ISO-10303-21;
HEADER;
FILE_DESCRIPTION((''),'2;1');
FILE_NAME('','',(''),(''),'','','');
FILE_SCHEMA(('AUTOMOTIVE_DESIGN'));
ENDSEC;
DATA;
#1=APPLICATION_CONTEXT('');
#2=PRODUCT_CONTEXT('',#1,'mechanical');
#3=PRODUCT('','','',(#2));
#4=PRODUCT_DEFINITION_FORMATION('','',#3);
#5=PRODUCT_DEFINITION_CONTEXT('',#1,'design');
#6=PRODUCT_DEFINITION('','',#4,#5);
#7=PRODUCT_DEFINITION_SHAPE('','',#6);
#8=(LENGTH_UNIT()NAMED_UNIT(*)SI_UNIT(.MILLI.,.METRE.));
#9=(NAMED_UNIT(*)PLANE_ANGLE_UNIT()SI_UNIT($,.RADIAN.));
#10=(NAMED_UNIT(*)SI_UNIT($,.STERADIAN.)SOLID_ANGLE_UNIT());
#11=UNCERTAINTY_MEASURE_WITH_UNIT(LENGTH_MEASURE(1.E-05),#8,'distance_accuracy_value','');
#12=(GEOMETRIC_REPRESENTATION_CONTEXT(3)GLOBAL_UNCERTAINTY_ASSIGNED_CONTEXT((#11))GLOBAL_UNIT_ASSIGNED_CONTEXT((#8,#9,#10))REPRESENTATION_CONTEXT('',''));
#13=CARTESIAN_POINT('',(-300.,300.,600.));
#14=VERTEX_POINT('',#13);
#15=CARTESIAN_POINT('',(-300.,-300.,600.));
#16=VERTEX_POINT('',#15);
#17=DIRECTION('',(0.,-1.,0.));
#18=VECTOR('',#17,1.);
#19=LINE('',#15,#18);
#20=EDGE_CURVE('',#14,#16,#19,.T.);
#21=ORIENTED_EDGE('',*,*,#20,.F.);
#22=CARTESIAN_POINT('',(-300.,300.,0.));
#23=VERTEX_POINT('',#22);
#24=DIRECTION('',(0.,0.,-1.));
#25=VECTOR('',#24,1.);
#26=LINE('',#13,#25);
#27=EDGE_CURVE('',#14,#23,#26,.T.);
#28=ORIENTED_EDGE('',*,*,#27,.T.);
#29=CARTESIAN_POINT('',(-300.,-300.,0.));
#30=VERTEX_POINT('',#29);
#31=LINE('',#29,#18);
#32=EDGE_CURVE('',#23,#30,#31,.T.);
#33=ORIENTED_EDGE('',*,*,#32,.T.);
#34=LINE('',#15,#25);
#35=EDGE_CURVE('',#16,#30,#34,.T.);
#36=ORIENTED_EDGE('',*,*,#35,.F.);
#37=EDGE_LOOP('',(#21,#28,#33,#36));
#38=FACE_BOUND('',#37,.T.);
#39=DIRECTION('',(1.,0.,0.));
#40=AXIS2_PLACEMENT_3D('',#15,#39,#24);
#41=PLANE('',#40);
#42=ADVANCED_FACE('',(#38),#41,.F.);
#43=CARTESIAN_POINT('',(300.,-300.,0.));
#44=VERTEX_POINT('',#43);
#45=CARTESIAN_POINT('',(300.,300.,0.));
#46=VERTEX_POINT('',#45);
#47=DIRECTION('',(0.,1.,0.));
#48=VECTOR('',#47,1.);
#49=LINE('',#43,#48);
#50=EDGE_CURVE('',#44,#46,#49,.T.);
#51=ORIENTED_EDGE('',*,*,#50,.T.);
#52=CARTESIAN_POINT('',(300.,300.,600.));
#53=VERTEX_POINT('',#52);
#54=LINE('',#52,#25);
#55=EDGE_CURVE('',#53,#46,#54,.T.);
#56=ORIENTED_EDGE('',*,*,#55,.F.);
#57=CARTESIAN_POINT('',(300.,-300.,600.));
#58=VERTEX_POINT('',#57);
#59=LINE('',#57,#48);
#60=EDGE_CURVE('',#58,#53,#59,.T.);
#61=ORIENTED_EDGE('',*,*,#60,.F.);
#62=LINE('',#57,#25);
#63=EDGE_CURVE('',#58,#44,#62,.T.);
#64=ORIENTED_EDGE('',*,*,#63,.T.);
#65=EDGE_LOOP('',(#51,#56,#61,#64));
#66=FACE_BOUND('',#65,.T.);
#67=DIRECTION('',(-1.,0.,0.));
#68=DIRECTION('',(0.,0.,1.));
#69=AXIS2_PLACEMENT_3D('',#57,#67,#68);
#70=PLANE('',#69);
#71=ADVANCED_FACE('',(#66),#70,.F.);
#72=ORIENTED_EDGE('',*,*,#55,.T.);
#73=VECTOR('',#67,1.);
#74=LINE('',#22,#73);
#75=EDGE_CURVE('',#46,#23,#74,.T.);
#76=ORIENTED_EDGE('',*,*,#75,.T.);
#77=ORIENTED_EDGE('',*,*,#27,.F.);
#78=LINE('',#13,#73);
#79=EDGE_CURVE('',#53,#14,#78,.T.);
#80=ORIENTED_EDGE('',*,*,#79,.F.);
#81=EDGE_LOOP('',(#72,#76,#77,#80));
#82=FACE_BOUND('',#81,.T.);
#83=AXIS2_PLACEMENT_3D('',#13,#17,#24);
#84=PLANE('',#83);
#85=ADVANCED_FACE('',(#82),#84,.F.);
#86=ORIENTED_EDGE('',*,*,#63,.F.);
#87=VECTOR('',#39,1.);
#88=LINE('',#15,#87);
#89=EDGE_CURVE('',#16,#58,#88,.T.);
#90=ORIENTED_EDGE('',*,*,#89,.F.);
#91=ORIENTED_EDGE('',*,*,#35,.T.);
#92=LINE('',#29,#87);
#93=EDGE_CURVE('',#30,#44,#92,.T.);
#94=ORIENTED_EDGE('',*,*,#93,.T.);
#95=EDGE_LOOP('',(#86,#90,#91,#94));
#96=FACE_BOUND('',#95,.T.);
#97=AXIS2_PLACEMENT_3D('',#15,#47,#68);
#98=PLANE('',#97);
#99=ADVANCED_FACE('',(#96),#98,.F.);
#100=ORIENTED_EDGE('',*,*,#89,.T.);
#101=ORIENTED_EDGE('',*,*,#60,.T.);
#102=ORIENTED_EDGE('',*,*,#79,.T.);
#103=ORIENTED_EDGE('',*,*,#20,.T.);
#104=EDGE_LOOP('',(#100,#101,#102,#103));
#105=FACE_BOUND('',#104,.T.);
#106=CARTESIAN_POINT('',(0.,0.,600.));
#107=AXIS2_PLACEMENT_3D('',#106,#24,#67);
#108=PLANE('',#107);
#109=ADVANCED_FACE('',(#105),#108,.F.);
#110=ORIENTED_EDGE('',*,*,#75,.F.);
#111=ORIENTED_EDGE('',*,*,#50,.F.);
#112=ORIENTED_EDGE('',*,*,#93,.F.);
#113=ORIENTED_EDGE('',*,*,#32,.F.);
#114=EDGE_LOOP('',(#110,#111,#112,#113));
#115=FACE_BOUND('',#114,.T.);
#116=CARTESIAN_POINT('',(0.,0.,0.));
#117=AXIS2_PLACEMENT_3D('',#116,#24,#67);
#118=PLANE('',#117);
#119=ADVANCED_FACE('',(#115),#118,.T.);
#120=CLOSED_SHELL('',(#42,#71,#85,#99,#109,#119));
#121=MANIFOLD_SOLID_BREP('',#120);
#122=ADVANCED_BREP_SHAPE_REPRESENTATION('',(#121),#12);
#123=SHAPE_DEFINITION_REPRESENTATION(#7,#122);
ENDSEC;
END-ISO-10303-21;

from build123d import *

# Parameters (mm, degrees)
SKETCH_1_W      = 600
SKETCH_1_H      = 600
EXTRUDE_1_DEPTH = 600


with BuildPart() as part:
    # 草图1 → 凸台-拉伸1 (new body)
    with BuildSketch(Plane.XY):
        Rectangle(SKETCH_1_W, SKETCH_1_H)
    extrude(amount=EXTRUDE_1_DEPTH)


solid = part.part
